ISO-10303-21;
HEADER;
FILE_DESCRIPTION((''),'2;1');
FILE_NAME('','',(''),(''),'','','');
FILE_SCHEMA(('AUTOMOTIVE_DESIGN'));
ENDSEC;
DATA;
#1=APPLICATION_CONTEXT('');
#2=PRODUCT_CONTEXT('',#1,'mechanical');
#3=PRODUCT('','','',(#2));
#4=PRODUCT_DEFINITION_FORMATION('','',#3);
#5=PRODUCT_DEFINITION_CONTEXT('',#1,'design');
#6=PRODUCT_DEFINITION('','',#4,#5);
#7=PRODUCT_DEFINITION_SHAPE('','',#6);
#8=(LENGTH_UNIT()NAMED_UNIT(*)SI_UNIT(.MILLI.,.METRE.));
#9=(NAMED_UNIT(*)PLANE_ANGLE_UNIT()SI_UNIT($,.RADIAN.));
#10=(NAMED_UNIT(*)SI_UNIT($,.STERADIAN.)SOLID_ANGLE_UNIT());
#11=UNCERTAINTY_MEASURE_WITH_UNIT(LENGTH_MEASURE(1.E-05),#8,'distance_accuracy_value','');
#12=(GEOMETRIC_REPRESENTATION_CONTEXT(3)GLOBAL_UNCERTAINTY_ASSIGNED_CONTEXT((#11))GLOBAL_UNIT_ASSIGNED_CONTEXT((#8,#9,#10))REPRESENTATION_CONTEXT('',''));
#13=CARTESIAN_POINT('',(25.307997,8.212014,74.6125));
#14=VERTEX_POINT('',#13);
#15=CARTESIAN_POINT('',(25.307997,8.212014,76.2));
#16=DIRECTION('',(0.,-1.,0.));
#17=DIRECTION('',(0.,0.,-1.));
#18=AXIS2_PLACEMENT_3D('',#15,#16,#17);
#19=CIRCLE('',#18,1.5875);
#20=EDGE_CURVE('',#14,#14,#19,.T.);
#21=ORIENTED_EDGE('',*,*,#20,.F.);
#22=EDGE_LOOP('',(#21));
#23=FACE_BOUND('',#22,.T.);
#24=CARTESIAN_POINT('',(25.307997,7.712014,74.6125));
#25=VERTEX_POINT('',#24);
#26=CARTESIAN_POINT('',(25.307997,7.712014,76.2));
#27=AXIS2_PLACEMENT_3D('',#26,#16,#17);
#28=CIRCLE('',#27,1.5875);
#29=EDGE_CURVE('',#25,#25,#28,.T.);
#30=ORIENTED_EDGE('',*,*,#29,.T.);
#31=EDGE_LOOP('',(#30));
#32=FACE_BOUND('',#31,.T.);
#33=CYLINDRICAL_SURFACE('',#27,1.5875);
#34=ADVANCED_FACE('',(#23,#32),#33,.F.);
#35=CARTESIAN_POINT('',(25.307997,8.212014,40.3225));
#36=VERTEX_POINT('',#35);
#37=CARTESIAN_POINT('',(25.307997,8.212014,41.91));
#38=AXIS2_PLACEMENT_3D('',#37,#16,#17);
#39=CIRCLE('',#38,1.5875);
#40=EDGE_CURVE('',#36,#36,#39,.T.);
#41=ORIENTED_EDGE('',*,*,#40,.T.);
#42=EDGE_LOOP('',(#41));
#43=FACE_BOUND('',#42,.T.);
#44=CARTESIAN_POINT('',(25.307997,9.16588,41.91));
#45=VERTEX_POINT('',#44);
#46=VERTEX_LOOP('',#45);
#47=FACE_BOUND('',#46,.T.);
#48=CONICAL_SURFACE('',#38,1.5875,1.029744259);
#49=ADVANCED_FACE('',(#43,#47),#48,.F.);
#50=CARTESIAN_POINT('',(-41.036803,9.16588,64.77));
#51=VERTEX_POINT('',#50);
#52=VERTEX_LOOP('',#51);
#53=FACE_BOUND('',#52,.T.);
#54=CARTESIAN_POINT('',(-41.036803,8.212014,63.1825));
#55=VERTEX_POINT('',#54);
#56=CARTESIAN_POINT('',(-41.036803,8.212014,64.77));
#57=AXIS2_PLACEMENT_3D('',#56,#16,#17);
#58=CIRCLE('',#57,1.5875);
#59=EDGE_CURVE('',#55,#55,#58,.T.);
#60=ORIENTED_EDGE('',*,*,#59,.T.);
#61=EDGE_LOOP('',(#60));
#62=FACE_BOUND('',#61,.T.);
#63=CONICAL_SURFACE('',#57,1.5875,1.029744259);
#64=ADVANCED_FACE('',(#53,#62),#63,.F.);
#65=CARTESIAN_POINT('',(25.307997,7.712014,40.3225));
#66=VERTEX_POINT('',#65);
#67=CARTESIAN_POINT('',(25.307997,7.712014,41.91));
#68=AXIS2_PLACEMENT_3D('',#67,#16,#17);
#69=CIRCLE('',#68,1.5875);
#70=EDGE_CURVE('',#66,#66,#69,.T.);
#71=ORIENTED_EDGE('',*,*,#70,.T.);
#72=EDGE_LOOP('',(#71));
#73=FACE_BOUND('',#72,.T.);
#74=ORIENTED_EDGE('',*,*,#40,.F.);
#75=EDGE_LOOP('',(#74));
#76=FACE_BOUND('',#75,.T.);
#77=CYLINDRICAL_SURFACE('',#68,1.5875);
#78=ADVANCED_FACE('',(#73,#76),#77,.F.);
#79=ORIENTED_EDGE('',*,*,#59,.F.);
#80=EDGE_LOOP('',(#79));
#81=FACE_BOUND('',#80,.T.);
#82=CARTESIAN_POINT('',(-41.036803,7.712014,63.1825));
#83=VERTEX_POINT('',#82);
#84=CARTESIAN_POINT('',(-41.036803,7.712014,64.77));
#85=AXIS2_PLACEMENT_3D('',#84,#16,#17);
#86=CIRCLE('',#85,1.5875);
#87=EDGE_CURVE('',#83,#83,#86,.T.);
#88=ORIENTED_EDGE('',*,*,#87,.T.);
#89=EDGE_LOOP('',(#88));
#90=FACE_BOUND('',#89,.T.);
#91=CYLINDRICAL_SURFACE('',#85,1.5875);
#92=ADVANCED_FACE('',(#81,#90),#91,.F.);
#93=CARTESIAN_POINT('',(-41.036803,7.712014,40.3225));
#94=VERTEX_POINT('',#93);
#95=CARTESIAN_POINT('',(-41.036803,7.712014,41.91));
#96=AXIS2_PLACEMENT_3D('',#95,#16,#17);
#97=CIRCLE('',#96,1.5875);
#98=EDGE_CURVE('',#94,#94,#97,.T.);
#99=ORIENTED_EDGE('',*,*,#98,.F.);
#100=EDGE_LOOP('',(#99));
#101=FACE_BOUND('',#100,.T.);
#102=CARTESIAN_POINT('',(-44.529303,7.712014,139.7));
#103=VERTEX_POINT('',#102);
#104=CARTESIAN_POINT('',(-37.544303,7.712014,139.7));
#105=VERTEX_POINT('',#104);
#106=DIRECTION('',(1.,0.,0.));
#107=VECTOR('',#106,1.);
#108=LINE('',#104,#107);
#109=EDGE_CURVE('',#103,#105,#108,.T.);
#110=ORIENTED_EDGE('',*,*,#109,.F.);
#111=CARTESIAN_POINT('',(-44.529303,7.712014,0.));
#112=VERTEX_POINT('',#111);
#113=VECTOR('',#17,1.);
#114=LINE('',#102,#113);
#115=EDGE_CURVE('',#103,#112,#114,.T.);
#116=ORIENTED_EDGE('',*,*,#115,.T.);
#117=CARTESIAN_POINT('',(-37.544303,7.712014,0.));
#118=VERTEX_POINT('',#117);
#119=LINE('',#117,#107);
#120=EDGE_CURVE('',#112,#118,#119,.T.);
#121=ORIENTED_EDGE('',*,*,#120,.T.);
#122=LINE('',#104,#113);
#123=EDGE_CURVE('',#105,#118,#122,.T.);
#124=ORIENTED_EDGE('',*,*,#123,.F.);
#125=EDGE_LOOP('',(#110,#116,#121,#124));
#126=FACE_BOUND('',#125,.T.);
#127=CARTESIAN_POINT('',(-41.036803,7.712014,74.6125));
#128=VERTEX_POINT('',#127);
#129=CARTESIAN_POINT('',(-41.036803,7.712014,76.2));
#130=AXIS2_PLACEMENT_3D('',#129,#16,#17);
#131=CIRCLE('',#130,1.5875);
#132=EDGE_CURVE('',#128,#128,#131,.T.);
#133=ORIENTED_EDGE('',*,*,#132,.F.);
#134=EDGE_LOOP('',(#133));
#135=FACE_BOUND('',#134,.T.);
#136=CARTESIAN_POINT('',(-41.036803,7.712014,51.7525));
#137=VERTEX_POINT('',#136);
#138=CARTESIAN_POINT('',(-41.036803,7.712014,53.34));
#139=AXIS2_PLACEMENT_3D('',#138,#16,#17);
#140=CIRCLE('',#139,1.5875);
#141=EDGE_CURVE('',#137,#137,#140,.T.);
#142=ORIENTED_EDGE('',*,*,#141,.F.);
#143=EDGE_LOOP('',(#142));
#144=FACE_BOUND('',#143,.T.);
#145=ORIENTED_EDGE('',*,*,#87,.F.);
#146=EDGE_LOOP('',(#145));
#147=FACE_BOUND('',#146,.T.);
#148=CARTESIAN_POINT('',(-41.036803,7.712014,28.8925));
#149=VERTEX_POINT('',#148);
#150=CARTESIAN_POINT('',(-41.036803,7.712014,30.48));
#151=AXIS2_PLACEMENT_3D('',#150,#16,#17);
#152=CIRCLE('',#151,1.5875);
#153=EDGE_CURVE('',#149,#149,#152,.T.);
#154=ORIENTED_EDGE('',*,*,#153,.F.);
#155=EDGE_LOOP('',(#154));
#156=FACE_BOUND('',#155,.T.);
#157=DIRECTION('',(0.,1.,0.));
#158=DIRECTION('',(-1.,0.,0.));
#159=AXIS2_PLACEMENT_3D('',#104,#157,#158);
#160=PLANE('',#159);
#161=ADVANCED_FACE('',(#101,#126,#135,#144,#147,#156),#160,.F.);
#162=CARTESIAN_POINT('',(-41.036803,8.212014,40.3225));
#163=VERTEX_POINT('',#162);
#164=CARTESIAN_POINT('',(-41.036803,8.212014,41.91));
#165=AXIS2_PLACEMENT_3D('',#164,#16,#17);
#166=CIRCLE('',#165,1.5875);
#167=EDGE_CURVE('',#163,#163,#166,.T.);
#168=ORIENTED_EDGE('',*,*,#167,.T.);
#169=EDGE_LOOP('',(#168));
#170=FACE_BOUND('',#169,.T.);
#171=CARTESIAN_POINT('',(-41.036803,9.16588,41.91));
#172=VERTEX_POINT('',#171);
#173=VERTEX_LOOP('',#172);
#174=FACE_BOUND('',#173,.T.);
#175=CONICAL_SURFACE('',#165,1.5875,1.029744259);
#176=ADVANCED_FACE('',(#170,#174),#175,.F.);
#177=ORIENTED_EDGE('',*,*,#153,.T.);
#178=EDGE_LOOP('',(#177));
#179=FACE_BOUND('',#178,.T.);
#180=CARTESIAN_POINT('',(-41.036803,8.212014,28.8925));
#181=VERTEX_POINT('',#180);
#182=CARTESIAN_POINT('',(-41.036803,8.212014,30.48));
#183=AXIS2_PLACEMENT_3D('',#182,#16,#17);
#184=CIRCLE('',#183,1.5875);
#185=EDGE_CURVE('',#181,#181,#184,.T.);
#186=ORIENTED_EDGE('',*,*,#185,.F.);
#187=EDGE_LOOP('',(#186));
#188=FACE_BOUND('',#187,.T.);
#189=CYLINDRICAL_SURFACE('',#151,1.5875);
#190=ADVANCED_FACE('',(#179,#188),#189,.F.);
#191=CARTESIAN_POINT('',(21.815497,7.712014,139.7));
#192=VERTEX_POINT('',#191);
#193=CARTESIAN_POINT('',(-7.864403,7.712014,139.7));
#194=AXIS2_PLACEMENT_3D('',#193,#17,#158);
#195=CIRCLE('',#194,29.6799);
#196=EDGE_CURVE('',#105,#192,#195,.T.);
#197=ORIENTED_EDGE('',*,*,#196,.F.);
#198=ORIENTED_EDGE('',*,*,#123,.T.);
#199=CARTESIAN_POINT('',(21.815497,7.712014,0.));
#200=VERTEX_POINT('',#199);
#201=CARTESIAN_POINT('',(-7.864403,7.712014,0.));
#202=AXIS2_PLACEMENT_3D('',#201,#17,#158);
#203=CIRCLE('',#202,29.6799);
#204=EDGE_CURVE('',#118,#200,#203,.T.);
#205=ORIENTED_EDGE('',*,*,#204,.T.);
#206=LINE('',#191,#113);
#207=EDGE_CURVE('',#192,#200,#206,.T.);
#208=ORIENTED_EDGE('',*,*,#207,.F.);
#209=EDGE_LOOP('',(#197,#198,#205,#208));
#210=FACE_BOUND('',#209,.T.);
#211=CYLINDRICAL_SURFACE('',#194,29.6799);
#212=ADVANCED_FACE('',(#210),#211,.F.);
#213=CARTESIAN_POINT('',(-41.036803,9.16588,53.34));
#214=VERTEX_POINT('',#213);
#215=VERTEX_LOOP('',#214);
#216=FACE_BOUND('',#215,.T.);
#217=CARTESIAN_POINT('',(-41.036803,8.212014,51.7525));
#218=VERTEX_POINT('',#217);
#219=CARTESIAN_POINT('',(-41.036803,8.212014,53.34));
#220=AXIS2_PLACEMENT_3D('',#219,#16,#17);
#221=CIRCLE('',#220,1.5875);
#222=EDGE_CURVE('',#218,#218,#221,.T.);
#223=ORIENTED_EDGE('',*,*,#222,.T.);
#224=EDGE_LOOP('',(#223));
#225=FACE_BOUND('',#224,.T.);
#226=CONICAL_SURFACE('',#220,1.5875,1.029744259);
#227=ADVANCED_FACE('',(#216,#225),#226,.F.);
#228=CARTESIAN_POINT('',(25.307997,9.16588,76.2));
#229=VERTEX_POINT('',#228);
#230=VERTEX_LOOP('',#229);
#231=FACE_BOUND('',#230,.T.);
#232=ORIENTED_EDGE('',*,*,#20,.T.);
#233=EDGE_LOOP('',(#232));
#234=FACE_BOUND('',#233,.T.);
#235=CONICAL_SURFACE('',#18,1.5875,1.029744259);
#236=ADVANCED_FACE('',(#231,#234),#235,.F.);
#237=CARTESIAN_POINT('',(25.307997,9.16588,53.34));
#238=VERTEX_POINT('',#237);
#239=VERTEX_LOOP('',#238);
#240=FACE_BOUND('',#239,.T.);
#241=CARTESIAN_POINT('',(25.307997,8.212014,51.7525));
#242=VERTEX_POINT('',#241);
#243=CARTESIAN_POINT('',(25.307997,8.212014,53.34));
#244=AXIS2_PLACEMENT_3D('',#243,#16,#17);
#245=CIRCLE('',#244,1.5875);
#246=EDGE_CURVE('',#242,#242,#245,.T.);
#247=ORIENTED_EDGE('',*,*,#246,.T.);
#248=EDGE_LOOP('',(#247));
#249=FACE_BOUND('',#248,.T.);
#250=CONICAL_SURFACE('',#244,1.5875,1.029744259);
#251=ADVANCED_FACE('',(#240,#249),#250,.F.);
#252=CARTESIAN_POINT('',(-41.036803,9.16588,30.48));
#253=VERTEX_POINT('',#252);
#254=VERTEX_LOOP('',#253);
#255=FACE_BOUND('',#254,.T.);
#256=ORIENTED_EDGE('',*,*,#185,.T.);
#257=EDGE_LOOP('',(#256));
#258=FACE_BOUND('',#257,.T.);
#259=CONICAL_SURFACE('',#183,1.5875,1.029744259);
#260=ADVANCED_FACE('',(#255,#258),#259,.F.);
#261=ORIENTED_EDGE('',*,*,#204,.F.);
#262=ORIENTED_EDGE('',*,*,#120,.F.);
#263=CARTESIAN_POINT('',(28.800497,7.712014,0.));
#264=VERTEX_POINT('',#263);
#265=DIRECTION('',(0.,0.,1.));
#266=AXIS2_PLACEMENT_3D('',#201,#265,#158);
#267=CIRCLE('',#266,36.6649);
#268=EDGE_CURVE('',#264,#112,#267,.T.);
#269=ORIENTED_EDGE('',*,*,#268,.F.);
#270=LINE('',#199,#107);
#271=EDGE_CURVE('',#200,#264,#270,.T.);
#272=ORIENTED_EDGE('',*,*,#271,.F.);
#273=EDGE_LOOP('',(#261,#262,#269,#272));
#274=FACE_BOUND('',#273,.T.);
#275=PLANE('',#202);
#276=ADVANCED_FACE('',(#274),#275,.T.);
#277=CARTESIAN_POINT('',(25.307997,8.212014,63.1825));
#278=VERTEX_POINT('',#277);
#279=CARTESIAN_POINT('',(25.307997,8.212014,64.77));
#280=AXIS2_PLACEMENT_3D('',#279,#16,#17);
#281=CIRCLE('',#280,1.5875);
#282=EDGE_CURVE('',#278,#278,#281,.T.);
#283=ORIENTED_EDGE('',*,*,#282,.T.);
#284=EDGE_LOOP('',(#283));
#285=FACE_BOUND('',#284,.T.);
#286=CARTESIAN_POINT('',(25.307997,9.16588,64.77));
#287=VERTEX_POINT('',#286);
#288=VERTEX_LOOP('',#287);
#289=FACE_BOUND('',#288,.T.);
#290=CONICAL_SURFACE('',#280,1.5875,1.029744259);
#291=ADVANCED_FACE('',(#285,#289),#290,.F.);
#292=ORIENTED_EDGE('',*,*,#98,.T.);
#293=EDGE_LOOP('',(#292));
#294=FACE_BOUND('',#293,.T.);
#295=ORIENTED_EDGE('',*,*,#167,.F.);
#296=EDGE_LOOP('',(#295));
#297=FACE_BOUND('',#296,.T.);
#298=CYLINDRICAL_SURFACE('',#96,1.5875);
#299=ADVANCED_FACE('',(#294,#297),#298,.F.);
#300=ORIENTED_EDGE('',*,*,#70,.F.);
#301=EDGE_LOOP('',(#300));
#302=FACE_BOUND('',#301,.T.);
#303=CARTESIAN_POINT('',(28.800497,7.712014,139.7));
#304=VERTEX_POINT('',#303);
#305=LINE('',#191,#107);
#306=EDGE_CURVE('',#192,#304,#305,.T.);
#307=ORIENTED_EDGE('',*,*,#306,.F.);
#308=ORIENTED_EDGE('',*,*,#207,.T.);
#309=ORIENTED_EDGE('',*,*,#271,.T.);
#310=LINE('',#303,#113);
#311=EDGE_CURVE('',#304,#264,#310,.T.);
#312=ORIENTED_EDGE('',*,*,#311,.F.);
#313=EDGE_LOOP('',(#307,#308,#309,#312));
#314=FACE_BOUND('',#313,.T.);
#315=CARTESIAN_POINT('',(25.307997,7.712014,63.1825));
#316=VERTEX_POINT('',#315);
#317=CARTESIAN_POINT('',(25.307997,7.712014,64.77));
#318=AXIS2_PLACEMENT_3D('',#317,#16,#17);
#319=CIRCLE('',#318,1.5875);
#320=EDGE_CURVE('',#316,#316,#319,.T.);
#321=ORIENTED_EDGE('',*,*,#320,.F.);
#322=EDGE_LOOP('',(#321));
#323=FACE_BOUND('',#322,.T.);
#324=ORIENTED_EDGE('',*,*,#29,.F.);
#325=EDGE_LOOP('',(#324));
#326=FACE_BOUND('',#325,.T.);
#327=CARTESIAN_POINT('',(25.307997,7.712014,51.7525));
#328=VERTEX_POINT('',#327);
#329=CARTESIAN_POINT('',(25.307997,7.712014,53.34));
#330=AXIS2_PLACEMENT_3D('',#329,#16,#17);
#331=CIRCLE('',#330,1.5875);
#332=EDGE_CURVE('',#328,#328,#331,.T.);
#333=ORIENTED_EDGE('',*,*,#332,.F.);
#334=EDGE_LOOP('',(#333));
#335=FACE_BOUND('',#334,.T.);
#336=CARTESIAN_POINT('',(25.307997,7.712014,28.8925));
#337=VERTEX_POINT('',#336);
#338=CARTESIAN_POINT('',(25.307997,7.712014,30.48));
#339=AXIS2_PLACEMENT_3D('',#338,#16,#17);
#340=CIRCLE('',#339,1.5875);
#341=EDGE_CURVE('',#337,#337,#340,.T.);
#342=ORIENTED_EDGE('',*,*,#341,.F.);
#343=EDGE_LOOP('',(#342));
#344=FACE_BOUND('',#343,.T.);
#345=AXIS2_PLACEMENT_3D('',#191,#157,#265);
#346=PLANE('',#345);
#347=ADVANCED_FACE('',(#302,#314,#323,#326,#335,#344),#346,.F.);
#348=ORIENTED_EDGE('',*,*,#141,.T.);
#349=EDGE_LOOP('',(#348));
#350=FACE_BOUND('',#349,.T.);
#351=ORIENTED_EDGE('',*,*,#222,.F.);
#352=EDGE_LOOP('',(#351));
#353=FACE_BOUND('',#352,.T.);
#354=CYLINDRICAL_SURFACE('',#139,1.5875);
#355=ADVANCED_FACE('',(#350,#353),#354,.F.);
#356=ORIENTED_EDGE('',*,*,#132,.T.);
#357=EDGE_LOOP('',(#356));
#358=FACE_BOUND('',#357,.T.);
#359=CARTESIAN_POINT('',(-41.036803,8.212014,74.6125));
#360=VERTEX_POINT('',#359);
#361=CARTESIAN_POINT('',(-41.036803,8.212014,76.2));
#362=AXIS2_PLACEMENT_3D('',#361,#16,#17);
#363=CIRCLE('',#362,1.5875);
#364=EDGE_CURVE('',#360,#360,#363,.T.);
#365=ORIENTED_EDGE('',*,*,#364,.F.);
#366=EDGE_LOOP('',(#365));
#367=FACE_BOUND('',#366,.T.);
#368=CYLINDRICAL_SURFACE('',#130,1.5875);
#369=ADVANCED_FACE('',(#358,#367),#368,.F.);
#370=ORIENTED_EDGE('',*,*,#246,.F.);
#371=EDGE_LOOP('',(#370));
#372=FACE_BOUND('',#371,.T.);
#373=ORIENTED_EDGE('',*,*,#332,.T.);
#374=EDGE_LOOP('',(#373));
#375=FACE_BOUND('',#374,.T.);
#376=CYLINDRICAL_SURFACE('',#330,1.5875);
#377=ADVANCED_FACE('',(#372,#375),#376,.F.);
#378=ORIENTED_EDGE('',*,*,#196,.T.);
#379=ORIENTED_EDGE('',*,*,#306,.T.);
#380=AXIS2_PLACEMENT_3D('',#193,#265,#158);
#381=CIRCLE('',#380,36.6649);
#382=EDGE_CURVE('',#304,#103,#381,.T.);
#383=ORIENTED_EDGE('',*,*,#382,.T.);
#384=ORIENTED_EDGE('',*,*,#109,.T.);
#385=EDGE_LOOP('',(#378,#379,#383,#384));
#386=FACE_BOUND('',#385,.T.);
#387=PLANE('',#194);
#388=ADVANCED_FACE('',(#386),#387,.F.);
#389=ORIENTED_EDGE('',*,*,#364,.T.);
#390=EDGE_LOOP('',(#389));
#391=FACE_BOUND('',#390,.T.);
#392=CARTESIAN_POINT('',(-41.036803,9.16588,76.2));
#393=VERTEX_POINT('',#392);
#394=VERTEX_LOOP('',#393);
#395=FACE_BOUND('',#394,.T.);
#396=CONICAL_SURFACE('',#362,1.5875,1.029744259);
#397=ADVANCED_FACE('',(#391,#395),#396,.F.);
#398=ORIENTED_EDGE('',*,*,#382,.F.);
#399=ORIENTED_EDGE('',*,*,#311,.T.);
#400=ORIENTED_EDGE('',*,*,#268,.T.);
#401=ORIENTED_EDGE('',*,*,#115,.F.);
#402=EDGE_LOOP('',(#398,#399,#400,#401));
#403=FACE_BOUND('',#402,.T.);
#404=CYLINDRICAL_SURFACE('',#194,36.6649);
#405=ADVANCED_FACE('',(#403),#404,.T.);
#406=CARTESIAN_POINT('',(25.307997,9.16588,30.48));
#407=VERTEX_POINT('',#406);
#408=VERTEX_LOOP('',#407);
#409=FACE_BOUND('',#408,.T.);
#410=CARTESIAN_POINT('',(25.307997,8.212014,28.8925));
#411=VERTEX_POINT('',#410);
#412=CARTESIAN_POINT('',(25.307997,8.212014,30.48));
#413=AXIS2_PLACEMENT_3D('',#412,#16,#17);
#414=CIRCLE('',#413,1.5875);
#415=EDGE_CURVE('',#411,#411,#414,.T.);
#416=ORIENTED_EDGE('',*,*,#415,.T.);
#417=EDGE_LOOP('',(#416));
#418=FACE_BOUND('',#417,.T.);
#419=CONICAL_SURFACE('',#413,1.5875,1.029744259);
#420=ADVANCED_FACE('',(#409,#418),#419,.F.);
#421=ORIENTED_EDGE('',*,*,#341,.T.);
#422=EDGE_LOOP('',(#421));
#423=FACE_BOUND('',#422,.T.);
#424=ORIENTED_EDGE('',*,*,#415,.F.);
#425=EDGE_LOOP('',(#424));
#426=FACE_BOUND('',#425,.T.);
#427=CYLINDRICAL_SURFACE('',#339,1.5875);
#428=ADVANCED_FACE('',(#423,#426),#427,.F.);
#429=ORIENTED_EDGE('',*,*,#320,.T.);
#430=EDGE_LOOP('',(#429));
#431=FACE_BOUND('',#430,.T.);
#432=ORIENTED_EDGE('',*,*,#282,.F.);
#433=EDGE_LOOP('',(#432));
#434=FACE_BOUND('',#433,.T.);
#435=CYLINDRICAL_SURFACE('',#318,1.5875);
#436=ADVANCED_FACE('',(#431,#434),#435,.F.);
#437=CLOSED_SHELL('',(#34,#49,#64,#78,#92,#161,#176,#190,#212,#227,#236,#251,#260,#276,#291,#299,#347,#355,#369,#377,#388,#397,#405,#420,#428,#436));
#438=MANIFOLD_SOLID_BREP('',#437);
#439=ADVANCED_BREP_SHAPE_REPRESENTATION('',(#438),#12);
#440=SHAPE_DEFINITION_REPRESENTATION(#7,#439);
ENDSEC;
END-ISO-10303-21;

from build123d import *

# Parameters (mm, degrees)
BOSS_EXTRUDE1_DEPTH                   = 139.7
F_1_8_0_125_DIAMETER_HOLE1_AT_2_COUNT = 2
F_1_8_0_125_DIAMETER_HOLE1_AT_2_PITCH = 66.3448
LPATTERN1_COUNT                       = 5
LPATTERN1_PITCH                       = 11.43


with BuildPart() as part:
    # Sketch1 → Boss-Extrude1 (new body)
    with BuildSketch(Plane.XY):
        with BuildLine():
            Line((-37.544302716, 7.712013675), (-44.529302716, 7.712013675))
            ThreePointArc((-44.529302716, 7.712013675), (-7.864402716, 44.376913675), (28.800497284, 7.712013675))
            Line((28.800497284, 7.712013675), (21.815497284, 7.712013675))
            ThreePointArc((21.815497284, 7.712013675), (-7.864402716, 37.391913675), (-37.544302716, 7.712013675))
        make_face()
    extrude(amount=BOSS_EXTRUDE1_DEPTH)

    # Sketch4 → 1/8 (0.125) Diameter Hole1 (revolve, cut)
    with BuildSketch(Plane(origin=(-41.036802716, 7.712013675, 76.2), x_dir=(0, 0, -1), z_dir=(1, 0, 0))):
        Polygon((0, 0), (0, 1.453866233), (1.5875, 0.5), (1.5875, 0), align=None)
    f_1_8_0_125_diameter_hole1 = revolve(axis=Axis((-41.036802716, 1.362013675, 76.2), (0, 1, 0)), mode=Mode.SUBTRACT)

    # 1/8 (0.125) Diameter Hole1 at 2: 1/8 (0.125) Diameter Hole1 ×2
    with Locations(*[(i * F_1_8_0_125_DIAMETER_HOLE1_AT_2_PITCH, 0, 0) for i in range(1, F_1_8_0_125_DIAMETER_HOLE1_AT_2_COUNT)]):
        add(f_1_8_0_125_diameter_hole1, mode=Mode.SUBTRACT)

    # LPattern1: 1/8 (0.125) Diameter Hole1 ×5
    with Locations(*[(0, 0, -i * LPATTERN1_PITCH) for i in range(1, LPATTERN1_COUNT)]):
        add(f_1_8_0_125_diameter_hole1, mode=Mode.SUBTRACT)

    # LPattern1 copy 1 sketch → LPattern1 copy 1 (revolve, cut)
    with BuildSketch(Plane(origin=(25.307997284, 7.712013675, 64.77), x_dir=(0, 0, -1), z_dir=(1, 0, 0))):
        Polygon((0, 0), (0, 1.453866233), (1.5875, 0.5), (1.5875, 0), align=None)
    revolve(axis=Axis((25.307997284, 1.362013675, 64.77), (0, 1, 0)), mode=Mode.SUBTRACT)

    # LPattern1 copy 2 sketch → LPattern1 copy 2 (revolve, cut)
    with BuildSketch(Plane(origin=(25.307997284, 7.712013675, 53.34), x_dir=(0, 0, -1), z_dir=(1, 0, 0))):
        Polygon((0, 0), (0, 1.453866233), (1.5875, 0.5), (1.5875, 0), align=None)
    revolve(axis=Axis((25.307997284, 1.362013675, 53.34), (0, 1, 0)), mode=Mode.SUBTRACT)

    # LPattern1 copy 3 sketch → LPattern1 copy 3 (revolve, cut)
    with BuildSketch(Plane(origin=(25.307997284, 7.712013675, 41.91), x_dir=(0, 0, -1), z_dir=(1, 0, 0))):
        Polygon((0, 0), (0, 1.453866233), (1.5875, 0.5), (1.5875, 0), align=None)
    revolve(axis=Axis((25.307997284, 1.362013675, 41.91), (0, 1, 0)), mode=Mode.SUBTRACT)

    # LPattern1 copy 4 sketch → LPattern1 copy 4 (revolve, cut)
    with BuildSketch(Plane(origin=(25.307997284, 7.712013675, 30.48), x_dir=(0, 0, -1), z_dir=(1, 0, 0))):
        Polygon((0, 0), (0, 1.453866233), (1.5875, 0.5), (1.5875, 0), align=None)
    revolve(axis=Axis((25.307997284, 1.362013675, 30.48), (0, 1, 0)), mode=Mode.SUBTRACT)


solid = part.part
